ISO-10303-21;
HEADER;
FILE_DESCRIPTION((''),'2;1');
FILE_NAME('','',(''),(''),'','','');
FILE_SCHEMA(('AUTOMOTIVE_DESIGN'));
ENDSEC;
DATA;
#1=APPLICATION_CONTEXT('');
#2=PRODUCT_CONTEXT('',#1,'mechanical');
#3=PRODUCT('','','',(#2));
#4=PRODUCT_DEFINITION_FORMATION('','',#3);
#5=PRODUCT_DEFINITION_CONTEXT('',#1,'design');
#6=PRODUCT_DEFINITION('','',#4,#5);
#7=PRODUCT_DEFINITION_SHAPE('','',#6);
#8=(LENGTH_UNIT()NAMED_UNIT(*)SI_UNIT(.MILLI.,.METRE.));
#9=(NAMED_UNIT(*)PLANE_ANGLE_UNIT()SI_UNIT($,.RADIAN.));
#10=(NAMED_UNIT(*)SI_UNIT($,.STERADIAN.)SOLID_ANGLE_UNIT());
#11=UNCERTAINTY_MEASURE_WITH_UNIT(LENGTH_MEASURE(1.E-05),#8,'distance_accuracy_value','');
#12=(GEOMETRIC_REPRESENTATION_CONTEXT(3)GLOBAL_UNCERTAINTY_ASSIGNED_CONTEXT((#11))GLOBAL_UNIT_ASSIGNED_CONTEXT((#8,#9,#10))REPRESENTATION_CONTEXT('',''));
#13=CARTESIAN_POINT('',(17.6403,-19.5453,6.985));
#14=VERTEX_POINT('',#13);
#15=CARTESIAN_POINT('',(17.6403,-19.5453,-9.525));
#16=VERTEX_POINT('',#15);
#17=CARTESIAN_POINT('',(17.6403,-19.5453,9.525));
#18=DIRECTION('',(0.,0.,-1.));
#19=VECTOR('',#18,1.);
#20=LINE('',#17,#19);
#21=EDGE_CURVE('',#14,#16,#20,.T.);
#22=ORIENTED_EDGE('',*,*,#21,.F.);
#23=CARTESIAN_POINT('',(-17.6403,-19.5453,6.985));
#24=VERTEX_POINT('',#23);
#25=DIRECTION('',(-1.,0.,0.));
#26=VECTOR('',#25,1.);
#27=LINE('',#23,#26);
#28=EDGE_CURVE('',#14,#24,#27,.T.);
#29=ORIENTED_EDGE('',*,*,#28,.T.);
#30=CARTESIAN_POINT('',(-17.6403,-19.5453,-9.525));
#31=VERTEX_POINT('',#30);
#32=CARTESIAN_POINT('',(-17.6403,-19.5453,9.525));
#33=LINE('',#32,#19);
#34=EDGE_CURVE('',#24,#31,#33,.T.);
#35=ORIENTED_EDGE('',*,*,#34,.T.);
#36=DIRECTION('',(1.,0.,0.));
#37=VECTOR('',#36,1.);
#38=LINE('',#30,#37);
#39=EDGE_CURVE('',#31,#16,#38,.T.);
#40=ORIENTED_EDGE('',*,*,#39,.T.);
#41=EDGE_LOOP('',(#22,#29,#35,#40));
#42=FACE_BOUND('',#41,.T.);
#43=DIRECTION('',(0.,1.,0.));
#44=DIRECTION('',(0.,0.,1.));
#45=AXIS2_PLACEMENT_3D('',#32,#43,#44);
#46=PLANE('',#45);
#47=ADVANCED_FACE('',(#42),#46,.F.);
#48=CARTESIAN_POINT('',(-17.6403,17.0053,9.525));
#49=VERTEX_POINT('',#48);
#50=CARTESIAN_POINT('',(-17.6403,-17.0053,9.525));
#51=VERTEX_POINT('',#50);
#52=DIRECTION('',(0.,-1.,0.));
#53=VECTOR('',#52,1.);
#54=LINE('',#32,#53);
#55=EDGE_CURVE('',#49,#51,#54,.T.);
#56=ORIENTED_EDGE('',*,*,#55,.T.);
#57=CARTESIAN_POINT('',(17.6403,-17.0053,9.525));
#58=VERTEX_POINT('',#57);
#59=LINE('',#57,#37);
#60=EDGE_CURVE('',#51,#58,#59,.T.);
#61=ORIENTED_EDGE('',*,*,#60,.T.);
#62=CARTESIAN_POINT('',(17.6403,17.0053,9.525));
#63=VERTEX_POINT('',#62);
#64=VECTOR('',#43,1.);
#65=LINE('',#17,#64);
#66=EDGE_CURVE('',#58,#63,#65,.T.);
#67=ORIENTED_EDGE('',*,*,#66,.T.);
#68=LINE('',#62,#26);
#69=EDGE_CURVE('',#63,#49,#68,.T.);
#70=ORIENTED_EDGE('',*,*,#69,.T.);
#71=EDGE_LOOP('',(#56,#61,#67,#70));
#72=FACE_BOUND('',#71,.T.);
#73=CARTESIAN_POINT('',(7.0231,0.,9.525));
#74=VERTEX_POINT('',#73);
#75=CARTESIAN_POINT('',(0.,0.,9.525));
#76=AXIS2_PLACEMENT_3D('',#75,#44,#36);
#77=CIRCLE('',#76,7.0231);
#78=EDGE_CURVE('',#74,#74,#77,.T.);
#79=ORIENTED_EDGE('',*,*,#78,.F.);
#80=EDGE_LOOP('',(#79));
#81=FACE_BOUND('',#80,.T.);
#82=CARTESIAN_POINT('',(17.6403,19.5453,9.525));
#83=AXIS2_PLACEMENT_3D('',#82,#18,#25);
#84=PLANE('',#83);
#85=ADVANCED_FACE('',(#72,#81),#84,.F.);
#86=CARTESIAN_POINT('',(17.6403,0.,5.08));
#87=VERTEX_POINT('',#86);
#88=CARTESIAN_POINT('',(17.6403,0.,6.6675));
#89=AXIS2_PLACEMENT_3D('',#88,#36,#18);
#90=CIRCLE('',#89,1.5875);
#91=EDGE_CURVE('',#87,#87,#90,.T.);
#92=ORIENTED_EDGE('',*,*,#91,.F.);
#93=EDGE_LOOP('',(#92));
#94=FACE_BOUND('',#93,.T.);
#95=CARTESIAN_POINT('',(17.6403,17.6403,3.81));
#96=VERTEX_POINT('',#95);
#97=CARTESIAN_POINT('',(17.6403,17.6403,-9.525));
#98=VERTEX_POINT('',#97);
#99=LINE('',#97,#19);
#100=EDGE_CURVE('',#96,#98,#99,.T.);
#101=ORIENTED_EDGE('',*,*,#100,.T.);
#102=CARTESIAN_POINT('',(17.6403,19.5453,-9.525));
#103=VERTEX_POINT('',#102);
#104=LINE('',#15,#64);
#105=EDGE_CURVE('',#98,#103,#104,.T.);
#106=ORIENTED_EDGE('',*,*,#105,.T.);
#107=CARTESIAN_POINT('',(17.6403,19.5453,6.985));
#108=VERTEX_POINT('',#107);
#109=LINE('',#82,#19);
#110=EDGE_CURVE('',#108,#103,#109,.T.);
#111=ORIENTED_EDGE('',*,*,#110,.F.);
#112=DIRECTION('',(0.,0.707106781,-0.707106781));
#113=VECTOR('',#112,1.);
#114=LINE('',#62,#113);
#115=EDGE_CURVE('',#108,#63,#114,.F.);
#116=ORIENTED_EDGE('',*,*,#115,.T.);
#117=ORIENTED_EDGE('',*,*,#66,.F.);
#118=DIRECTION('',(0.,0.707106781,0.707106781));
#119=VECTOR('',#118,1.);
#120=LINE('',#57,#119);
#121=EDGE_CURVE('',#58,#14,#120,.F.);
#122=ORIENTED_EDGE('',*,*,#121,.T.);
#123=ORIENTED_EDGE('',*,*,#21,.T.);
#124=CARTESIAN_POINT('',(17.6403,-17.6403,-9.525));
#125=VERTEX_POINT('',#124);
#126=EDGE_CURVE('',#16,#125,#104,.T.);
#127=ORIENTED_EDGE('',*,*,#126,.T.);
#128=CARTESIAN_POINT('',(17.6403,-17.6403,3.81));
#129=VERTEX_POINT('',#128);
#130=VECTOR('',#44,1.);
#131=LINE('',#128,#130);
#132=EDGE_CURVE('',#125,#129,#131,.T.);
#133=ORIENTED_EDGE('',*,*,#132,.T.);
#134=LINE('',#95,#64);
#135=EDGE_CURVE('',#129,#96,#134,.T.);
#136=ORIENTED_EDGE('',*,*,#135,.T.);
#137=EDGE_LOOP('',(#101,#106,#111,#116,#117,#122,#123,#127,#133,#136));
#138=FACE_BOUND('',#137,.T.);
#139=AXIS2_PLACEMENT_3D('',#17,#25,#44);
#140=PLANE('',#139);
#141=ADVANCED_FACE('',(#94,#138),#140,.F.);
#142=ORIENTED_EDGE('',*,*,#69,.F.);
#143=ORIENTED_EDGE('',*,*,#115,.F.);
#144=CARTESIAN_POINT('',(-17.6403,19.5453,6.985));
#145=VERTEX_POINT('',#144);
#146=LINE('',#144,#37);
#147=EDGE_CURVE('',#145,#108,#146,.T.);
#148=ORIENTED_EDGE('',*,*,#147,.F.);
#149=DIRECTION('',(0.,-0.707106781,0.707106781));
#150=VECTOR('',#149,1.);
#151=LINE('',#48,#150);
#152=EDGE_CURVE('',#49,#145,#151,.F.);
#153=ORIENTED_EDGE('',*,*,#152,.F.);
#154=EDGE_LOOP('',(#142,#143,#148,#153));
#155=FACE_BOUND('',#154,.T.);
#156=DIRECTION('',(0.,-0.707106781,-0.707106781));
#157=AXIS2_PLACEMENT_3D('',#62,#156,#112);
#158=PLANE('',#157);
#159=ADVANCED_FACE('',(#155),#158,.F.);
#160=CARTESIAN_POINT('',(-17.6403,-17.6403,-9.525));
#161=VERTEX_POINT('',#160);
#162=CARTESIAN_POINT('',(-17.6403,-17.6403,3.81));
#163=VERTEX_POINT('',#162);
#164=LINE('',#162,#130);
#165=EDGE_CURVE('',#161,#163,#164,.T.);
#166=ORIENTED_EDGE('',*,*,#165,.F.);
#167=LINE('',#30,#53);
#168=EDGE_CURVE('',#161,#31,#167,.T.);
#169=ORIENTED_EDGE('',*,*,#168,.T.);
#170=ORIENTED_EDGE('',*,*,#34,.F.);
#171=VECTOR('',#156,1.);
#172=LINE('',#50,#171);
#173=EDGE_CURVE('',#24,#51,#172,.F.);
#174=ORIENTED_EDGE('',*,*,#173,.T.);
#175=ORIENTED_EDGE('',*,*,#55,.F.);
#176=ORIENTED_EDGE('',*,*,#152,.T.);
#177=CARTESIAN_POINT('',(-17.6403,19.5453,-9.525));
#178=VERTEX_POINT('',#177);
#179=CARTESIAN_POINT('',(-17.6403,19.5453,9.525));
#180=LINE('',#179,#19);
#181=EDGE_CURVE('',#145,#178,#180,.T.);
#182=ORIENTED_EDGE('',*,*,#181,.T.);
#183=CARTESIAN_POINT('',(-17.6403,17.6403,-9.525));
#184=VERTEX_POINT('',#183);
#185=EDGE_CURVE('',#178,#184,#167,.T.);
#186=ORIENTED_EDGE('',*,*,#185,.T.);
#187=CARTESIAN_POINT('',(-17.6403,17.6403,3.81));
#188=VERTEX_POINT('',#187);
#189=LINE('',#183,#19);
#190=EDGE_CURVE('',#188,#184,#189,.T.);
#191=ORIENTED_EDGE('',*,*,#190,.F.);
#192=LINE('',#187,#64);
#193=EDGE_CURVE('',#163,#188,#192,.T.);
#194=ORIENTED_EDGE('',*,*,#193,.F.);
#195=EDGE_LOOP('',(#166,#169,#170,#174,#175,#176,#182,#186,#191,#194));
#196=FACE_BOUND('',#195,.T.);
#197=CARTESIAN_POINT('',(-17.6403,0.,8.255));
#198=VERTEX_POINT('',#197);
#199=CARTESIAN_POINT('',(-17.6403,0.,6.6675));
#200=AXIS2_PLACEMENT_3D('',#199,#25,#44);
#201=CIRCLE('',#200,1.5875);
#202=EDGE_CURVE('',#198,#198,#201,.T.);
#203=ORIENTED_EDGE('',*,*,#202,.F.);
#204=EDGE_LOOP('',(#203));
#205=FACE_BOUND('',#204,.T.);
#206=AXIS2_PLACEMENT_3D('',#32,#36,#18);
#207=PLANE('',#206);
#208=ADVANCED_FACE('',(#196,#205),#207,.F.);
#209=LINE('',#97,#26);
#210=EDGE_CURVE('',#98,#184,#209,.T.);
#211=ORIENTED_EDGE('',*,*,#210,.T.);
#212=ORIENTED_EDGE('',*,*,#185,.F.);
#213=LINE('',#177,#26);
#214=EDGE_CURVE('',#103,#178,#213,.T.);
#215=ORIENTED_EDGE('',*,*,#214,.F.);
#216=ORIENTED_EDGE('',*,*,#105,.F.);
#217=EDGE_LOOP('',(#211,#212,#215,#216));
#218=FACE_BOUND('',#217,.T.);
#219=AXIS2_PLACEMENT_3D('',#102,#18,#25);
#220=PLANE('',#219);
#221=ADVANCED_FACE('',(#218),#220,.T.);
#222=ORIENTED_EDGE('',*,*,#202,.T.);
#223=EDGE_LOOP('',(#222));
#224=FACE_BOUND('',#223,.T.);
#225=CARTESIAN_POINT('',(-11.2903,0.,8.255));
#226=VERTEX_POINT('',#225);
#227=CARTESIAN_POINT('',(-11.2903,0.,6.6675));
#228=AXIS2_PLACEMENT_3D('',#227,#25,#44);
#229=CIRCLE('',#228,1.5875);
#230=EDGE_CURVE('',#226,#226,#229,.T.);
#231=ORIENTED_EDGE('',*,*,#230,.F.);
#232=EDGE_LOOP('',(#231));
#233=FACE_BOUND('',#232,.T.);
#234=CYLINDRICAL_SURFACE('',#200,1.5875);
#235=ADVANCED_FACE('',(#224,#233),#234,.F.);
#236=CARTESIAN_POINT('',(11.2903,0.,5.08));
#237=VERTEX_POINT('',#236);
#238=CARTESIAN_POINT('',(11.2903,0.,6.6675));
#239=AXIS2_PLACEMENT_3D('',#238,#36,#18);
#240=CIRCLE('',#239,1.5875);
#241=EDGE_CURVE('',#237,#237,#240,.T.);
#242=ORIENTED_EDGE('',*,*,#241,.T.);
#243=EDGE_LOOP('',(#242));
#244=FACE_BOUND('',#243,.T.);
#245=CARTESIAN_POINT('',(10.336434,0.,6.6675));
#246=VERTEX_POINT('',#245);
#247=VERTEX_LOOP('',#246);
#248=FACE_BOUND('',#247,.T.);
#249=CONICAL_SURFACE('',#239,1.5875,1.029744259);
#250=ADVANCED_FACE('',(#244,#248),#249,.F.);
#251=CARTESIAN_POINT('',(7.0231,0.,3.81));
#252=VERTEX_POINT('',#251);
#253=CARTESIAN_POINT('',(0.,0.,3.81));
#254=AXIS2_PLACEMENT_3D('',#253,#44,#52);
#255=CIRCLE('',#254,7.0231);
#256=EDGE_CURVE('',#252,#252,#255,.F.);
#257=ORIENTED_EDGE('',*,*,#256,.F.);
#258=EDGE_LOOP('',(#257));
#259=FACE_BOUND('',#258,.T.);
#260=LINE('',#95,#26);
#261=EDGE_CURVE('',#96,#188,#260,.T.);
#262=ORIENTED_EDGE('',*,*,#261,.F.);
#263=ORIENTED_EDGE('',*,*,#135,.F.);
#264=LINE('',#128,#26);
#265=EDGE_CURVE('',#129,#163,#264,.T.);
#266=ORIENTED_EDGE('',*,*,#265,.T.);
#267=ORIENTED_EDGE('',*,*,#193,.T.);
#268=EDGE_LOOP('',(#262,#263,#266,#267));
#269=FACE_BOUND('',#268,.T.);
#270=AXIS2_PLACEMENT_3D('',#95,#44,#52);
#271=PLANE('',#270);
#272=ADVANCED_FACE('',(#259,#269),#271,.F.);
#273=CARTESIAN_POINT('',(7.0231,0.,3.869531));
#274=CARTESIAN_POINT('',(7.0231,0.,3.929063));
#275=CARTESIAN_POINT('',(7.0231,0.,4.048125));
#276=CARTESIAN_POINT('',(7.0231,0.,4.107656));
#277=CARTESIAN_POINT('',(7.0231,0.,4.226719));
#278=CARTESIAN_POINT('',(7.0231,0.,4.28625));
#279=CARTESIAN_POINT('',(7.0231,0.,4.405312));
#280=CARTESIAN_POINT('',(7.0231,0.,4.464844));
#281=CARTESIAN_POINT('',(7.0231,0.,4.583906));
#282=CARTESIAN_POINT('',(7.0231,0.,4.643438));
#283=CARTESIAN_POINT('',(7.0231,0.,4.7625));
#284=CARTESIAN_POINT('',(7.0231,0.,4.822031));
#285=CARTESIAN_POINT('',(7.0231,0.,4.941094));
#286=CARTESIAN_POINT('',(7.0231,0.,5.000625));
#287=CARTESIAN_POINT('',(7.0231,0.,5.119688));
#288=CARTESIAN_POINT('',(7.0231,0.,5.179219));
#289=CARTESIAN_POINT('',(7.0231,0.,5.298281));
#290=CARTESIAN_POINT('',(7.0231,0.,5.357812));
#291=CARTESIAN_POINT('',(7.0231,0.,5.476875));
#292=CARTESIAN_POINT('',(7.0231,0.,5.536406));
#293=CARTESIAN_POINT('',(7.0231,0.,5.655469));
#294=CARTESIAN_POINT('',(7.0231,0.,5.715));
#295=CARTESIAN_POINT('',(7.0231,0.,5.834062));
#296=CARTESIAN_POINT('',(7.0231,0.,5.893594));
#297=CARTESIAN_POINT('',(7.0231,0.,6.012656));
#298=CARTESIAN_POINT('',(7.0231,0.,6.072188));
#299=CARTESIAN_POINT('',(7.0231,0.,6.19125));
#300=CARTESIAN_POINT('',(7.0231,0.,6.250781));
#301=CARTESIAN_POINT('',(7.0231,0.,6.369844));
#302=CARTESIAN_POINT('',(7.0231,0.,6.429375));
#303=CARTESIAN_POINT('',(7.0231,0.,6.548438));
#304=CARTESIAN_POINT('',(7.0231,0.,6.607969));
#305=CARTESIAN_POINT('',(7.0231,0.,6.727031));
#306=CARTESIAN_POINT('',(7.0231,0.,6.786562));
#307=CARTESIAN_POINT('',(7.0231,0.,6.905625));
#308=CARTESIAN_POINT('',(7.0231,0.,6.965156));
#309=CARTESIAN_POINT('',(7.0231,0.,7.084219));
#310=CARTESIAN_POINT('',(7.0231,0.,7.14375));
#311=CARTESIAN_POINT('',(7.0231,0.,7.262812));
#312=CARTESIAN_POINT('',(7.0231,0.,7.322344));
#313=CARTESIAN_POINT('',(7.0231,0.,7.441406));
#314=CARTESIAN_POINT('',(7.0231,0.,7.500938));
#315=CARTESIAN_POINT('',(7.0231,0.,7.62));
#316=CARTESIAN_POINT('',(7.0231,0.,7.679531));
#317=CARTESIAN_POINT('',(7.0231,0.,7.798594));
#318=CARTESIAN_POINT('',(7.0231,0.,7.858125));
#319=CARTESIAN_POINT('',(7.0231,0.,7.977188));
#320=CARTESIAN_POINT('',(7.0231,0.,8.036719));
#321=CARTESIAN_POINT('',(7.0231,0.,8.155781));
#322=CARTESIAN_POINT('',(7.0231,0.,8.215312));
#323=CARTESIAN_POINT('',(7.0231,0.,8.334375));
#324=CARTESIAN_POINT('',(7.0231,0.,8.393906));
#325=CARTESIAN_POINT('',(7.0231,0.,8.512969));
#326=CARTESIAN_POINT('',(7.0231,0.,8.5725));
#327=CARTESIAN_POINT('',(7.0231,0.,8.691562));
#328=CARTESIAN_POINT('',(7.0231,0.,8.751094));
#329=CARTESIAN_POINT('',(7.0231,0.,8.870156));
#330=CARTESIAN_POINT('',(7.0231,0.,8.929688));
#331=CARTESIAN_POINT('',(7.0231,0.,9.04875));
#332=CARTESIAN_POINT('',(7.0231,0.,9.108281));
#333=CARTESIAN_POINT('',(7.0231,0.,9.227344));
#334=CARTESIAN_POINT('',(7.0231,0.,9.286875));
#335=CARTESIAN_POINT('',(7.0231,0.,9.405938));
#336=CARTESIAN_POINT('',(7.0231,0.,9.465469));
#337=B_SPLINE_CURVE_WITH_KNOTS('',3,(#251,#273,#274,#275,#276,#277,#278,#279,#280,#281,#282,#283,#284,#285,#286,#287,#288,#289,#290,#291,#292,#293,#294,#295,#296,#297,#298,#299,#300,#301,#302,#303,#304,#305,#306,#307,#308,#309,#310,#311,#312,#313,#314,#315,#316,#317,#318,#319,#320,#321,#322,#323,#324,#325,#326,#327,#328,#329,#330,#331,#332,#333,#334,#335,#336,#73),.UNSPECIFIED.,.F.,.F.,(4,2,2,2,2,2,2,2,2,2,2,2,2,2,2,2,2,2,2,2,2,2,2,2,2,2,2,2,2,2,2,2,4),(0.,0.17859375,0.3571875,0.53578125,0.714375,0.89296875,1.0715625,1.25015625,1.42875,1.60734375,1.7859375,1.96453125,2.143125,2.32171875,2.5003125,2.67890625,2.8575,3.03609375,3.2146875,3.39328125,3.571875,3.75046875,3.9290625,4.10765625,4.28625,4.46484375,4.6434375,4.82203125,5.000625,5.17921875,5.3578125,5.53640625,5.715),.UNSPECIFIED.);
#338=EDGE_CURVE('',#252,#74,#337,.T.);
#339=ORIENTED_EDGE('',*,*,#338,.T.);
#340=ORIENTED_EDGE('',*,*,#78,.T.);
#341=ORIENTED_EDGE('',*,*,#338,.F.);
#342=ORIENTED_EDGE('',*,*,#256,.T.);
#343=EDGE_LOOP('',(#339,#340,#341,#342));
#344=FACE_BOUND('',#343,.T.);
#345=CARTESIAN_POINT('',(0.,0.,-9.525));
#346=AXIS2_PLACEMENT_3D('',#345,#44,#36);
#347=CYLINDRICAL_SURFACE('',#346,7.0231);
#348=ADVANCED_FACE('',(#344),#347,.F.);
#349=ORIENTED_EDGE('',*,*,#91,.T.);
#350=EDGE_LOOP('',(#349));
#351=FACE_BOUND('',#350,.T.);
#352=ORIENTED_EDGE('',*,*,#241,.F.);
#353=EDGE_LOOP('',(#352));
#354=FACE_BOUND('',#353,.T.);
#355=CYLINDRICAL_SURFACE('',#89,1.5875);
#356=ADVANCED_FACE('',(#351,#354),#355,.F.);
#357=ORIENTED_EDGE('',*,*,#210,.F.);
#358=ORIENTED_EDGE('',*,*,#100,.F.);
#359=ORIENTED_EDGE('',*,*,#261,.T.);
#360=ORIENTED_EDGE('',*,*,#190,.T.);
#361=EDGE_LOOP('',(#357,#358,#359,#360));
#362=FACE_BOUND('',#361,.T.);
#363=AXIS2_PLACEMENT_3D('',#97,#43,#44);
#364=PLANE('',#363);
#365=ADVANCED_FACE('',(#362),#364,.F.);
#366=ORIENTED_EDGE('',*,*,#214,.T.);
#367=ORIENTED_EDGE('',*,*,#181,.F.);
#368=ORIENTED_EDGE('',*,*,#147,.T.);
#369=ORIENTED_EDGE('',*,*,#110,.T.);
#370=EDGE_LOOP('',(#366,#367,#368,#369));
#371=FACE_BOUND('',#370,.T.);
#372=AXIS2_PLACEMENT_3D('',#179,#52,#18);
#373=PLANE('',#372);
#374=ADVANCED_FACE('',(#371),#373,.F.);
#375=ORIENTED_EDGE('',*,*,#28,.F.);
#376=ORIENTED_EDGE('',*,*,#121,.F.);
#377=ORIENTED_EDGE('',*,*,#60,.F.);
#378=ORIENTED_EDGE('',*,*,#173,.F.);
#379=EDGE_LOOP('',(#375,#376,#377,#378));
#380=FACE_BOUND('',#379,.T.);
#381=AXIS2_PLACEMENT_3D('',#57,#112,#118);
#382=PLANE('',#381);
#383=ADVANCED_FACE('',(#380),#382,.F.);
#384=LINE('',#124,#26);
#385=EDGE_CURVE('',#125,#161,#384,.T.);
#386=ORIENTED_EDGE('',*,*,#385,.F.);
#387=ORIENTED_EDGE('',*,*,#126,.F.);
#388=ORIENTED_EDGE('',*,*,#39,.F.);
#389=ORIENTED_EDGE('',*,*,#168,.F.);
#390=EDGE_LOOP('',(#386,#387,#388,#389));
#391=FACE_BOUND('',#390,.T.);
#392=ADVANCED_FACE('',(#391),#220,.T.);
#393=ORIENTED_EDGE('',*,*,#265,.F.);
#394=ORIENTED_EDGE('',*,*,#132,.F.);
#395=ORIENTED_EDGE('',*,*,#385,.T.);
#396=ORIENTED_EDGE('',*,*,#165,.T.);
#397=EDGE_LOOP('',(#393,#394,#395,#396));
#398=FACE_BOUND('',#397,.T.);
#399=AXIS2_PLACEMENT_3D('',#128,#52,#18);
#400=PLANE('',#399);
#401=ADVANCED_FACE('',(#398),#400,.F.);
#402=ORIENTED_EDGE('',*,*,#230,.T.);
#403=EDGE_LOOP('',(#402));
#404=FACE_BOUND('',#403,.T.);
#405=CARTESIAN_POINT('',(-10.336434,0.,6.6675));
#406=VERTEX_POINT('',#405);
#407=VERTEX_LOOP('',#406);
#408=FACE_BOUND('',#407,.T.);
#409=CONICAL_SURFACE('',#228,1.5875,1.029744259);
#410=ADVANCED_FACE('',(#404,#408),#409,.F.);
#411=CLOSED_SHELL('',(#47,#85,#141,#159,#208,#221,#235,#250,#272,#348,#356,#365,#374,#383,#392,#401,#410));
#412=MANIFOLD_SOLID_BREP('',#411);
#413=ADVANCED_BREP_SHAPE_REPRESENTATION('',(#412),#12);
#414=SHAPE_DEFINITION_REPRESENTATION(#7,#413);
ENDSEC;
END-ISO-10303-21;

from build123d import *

# Parameters (mm, degrees)
SKETCH1_W      = 35.2806
SKETCH1_H      = 39.0906
EXTRUDE1_DEPTH = 9.525
SKETCH2_R      = 7.0231
EXTRUDE2_DEPTH = 33.497714322
EXTRUDE4_DEPTH = 42.442310667
CHAMFER1_SIZE  = 2.54


with BuildPart() as part:
    # Sketch1 → Extrude1 (new, symmetric)
    with BuildSketch(Plane.XY):
        Rectangle(SKETCH1_W, SKETCH1_H)
    extrude(amount=EXTRUDE1_DEPTH, both=True)

    # Sketch2 → Extrude2 (cut, through all)
    with BuildSketch(Plane.XY.offset(9.525)):
        Circle(SKETCH2_R)
    extrude(amount=-EXTRUDE2_DEPTH, mode=Mode.SUBTRACT)

    # Sketch3 → Extrude4 (cut, through all)
    with BuildSketch(Plane.ZY.offset(17.6403)):
        Polygon((-9.525, 17.6403), (3.81, 17.6403), (3.81, -17.6403), (-9.525, -17.6403), (-9.525, 0), align=None)
    extrude(amount=-EXTRUDE4_DEPTH, mode=Mode.SUBTRACT)

    # Sketch5 → 1/8 (0.125) Diameter Hole1 (revolve, cut)
    with BuildSketch(Plane(origin=(-17.6403, 0, 6.6675), x_dir=(0, 0, 1), z_dir=(0, 1, 0))):
        Polygon((0, 0), (0, 7.303866233), (1.5875, 6.35), (1.5875, 0), align=None)
    f_1_8_0_125_diameter_hole1 = revolve(axis=Axis((-23.9903, 0, 6.6675), (1, 0, 0)), mode=Mode.SUBTRACT)

    # Mirror1: 1/8 (0.125) Diameter Hole1 across plane
    add(f_1_8_0_125_diameter_hole1.mirror(Plane(origin=(0, 0, 0), x_dir=(0, 0, 1), z_dir=(1, 0, 0))), mode=Mode.SUBTRACT)

    # Chamfer1
    chamfer1_edges = [part.edges().sort_by_distance(p)[0] for p in [
        (0, -19.5453, 9.525),
        (0, 19.5453, 9.525),
    ]]
    chamfer(chamfer1_edges, length=CHAMFER1_SIZE)


solid = part.part
